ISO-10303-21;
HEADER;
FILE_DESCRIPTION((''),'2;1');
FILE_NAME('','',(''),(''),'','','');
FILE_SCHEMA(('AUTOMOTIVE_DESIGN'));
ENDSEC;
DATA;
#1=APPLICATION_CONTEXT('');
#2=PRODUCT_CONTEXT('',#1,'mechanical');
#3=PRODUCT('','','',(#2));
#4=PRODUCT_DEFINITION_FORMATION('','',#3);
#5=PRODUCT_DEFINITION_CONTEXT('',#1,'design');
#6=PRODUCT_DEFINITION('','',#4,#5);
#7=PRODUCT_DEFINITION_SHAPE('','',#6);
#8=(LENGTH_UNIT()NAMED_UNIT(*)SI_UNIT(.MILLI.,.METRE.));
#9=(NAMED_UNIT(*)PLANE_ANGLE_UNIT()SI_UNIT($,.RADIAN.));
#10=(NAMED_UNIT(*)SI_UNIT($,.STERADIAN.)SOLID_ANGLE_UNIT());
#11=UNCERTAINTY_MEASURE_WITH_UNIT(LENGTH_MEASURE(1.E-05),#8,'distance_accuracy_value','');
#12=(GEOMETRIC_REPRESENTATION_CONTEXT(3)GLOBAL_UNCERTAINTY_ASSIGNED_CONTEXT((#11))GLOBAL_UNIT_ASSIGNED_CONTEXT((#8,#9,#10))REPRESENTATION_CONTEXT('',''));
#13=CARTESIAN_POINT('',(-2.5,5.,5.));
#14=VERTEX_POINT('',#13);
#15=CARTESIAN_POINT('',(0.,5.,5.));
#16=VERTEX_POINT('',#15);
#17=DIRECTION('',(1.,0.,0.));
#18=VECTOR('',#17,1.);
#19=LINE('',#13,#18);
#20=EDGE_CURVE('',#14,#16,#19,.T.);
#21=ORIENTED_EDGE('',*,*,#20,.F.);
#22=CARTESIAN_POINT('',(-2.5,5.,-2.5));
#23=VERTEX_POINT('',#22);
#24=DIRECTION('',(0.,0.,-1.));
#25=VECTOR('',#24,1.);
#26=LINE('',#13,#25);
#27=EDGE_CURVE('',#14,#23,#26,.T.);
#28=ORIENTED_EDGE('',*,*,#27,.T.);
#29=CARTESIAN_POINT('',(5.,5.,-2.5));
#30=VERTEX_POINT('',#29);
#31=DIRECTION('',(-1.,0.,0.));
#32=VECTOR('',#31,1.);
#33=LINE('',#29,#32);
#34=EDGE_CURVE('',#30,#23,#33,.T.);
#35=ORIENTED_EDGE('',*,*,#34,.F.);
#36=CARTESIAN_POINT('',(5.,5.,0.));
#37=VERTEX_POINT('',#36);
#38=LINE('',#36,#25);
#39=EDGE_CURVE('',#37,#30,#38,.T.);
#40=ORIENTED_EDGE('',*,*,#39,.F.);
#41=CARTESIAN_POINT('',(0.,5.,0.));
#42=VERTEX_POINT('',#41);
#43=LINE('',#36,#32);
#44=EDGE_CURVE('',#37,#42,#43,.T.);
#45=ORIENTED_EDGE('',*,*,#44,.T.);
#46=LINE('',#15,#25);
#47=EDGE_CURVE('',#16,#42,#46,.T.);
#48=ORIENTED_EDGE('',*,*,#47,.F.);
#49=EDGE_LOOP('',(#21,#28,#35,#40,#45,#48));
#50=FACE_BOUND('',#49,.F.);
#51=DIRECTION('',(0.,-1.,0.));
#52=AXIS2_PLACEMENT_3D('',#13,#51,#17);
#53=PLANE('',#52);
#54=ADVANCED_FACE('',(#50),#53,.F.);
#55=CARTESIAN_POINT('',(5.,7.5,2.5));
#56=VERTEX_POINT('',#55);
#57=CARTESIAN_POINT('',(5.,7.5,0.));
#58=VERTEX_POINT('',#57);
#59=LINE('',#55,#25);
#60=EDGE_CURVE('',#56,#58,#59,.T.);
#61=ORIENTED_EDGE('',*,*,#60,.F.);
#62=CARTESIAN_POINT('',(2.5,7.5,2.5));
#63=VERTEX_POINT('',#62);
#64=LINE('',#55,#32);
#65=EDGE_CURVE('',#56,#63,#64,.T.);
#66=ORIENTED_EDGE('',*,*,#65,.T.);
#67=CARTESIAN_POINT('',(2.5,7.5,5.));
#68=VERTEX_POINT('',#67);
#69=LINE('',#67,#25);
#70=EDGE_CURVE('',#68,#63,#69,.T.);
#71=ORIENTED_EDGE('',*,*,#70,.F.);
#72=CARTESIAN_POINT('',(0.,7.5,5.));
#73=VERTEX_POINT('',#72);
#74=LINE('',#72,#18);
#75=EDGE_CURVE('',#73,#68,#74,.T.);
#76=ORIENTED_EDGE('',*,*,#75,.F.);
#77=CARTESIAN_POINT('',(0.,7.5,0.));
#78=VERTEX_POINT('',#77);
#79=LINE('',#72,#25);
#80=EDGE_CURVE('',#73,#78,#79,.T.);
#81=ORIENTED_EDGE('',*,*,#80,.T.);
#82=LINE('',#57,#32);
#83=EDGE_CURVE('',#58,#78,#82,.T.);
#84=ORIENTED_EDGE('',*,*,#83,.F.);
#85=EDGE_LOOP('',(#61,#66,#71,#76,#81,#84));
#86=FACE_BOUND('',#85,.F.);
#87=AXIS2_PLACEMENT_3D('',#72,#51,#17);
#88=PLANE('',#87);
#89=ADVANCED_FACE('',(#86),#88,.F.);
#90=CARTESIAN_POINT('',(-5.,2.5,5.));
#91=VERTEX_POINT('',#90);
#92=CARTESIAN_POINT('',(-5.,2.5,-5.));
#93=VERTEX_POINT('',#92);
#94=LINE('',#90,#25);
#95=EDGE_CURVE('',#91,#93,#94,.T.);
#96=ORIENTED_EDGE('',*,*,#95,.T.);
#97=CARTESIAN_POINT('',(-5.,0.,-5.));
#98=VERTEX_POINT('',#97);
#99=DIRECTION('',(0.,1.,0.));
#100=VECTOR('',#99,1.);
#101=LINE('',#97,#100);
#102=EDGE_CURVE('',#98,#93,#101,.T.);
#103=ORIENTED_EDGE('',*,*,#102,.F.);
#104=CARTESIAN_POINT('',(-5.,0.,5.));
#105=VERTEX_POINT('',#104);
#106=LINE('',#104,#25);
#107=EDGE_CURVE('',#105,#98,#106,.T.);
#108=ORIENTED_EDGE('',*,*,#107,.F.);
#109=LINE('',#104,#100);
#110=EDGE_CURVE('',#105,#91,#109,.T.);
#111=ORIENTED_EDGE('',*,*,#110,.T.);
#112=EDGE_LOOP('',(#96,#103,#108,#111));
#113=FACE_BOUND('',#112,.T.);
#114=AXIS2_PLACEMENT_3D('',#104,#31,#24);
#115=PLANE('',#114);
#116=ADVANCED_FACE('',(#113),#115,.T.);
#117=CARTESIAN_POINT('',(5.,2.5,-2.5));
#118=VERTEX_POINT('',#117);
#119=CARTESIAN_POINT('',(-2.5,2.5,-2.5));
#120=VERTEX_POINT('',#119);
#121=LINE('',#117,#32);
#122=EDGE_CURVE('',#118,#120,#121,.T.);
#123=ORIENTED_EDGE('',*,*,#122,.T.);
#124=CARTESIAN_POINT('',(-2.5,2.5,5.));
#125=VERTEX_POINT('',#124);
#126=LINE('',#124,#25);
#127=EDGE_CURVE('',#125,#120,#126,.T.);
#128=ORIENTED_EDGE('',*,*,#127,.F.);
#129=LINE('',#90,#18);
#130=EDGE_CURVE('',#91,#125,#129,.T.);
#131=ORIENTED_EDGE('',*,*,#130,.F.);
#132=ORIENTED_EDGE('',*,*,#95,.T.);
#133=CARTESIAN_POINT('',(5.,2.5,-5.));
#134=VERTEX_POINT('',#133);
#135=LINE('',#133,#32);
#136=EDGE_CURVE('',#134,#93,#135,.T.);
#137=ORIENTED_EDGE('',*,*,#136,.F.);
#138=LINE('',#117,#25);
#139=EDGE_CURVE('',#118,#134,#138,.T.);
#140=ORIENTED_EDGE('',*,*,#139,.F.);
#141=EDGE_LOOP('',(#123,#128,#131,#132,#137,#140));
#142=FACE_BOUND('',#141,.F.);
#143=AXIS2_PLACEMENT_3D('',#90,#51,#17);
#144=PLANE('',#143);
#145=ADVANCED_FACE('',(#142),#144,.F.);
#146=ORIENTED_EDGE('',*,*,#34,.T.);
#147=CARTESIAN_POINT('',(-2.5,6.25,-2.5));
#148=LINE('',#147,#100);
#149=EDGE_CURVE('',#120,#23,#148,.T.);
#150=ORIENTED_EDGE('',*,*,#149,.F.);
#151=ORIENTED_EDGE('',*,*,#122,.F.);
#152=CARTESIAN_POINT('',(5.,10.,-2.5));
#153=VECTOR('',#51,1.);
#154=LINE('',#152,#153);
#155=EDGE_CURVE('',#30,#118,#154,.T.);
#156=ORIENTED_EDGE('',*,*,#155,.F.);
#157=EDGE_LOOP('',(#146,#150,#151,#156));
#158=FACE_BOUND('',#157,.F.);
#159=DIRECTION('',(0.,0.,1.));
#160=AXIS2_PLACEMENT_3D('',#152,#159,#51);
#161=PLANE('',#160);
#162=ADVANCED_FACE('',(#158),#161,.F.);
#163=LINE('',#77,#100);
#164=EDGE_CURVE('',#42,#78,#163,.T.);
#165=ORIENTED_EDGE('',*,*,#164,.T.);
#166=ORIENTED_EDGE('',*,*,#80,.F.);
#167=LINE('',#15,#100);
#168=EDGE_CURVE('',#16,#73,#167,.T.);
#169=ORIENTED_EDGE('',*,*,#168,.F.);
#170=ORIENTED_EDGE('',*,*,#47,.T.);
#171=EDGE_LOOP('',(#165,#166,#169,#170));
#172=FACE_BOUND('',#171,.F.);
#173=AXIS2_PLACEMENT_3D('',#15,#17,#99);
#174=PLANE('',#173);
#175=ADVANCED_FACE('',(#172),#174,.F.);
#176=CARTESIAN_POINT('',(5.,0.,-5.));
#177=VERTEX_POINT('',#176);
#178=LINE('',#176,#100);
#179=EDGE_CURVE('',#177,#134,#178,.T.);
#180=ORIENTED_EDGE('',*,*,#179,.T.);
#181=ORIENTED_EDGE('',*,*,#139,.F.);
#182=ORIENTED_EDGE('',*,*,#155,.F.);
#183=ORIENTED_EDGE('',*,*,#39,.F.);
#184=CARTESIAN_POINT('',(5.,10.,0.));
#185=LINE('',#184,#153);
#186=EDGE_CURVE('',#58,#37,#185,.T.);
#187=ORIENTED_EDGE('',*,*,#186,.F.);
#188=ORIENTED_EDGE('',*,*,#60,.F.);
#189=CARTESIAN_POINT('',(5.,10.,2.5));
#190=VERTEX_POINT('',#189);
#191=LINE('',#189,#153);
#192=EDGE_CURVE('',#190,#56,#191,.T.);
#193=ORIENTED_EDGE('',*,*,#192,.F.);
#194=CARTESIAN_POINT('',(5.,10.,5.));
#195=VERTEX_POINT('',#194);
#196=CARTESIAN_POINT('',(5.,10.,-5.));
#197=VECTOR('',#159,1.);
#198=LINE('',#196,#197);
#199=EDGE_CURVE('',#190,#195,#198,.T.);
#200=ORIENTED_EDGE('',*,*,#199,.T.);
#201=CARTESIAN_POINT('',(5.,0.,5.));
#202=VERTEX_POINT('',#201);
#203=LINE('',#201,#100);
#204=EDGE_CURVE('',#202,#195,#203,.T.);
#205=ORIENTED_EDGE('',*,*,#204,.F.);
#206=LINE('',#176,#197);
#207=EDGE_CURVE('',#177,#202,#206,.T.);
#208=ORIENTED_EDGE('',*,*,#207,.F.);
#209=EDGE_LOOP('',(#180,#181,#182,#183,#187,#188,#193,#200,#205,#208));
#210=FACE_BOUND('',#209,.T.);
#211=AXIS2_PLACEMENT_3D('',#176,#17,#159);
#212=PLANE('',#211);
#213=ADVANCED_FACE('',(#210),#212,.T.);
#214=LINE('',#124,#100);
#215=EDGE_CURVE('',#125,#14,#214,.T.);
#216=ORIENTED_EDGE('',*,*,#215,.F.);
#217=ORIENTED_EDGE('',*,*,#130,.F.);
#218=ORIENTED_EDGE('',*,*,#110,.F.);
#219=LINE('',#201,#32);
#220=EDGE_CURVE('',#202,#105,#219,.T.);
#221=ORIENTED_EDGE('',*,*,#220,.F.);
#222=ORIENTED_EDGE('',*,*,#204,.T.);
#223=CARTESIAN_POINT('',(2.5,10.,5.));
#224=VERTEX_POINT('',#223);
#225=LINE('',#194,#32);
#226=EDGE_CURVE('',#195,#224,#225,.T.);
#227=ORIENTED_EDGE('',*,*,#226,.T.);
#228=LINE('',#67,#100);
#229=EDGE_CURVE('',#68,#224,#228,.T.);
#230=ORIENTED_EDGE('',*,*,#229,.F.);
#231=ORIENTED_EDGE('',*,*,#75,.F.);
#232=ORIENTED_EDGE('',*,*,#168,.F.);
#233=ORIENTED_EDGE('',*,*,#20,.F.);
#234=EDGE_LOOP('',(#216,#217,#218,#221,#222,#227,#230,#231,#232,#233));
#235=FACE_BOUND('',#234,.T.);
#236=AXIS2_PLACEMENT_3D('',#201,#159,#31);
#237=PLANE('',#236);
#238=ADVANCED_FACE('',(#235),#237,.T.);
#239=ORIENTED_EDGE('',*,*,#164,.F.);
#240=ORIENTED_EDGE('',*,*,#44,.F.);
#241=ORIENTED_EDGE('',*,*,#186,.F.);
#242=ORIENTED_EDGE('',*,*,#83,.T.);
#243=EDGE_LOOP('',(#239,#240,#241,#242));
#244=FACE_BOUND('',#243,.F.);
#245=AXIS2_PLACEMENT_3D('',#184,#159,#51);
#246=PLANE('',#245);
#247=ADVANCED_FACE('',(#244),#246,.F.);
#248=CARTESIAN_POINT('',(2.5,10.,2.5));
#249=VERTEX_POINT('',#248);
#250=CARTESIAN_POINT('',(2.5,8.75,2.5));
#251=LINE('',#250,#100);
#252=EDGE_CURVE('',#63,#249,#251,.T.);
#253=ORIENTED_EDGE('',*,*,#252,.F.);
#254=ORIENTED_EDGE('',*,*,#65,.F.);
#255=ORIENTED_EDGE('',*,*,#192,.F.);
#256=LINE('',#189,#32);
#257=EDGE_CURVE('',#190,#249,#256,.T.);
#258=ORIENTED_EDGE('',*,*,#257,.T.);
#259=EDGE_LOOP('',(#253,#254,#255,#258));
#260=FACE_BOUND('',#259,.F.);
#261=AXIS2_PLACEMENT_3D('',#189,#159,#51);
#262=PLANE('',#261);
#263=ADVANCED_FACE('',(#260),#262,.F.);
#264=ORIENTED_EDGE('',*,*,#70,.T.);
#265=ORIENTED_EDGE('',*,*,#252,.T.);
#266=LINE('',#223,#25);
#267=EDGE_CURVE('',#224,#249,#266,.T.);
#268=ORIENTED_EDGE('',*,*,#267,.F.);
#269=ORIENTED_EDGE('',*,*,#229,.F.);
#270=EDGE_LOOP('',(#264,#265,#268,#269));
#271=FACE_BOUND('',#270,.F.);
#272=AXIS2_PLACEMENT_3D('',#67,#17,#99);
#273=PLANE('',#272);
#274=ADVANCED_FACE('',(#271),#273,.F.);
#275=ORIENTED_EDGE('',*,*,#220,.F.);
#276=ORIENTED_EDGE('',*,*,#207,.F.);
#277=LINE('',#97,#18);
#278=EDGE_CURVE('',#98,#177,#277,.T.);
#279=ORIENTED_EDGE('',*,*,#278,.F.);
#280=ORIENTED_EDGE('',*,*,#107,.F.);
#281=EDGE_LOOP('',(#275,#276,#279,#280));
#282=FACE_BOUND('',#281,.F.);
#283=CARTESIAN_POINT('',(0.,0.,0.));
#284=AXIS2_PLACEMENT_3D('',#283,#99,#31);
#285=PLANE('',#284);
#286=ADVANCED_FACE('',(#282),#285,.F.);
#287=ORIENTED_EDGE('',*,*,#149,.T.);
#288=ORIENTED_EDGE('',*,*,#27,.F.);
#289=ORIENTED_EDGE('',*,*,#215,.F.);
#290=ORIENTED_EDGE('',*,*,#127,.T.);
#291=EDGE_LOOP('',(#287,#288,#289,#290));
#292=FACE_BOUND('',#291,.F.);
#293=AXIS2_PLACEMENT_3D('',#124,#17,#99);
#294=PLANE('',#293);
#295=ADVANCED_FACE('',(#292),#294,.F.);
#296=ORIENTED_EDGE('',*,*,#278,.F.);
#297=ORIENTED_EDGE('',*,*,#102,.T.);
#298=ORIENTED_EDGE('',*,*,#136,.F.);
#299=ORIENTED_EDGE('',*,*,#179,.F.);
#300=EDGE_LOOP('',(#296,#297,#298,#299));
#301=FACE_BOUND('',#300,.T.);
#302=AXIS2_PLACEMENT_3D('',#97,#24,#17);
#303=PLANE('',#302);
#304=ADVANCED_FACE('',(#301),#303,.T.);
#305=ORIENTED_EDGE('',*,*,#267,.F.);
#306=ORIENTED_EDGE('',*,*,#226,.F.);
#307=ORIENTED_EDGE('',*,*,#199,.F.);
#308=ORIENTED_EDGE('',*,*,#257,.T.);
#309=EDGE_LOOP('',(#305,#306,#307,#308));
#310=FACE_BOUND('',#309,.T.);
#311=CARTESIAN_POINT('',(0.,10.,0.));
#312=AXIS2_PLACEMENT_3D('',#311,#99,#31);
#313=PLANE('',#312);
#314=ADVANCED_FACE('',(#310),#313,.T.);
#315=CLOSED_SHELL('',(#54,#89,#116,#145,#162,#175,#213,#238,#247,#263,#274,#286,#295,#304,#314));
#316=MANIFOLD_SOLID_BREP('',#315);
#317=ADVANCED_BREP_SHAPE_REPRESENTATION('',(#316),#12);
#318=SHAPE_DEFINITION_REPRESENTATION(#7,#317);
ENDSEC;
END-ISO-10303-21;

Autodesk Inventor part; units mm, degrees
ref_plane "YZ Plane" through (0, 0, 0) normal (1, 0, 0) x (0, 1, 0)
ref_plane "XZ Plane" through (0, 0, 0) normal (0, 1, 0) x (-1, 0, 0)
ref_plane "XY Plane" through (0, 0, 0) normal (0, 0, 1) x (1, 0, 0)
sketch "Sketch1" plane through (0, 0, 0) normal (0, 1, 0) x (-1, 0, 0)
  line L0 (-5, 5) -> (5, 5)
  line L1 (5, 5) -> (5, -5)
  line L2 (5, -5) -> (-5, -5)
  line L3 (-5, -5) -> (-5, 5)
  line L4 (-5, 5) -> (5, -5) construction
  line L5 (5, 5) -> (-5, -5) construction
  point P0 (0, 0)
  dimension "d0" = 10
  dimension "d1" = 10
extrude "Extrusion1" add sketch "Sketch1" along normal blind 10
sketch "Sketch2" plane through (5, 0, 5) normal (1, 0, 0) x (0, 0, -1)
  line L0 (10, 10) -> (7.5, 10)
  line L1 (7.5, 10) -> (7.5, 2.5)
  line L2 (7.5, 2.5) -> (10, 2.5)
  line L3 (10, 2.5) -> (10, 10)
  point P0 (5, 0)
  dimension "d4" = 2.5
  dimension "d5" = 7.5
extrude "Extrusion2" cut sketch "Sketch2" against normal blind 10
sketch "Sketch3" plane through (5, 0, 5) normal (1, 0, 0) x (0, 0, -1)
  line L0 (7.5, 10) -> (5, 10)
  line L1 (5, 10) -> (5, 5)
  line L2 (5, 5) -> (7.5, 5)
  line L3 (7.5, 5) -> (7.5, 10)
  point P0 (5, 0)
  dimension "d8" = 2.5
  dimension "d9" = 5
extrude "Extrusion3" cut sketch "Sketch3" against normal blind 10
sketch "Sketch4" plane through (5, 0, 5) normal (1, 0, 0) x (0, 0, -1)
  line L0 (5, 10) -> (2.5, 10)
  line L1 (2.5, 10) -> (2.5, 7.5)
  line L2 (2.5, 7.5) -> (5, 7.5)
  line L3 (5, 7.5) -> (5, 10)
  point P0 (5, 0)
  dimension "d12" = 2.5
  dimension "d13" = 2.5
extrude "Extrusion4" cut sketch "Sketch4" against normal blind 10
sketch "Sketch5" plane through (-5, 0, 5) normal (0, 0, 1) x (1, 0, 0)
  line L0 (0, 10) -> (10, 10) projected
  line L1 (0, 0) -> (0, 10) projected
  line L2 (0, 10) -> (0, 2.5)
  line L3 (0, 2.5) -> (2.5, 2.5)
  line L4 (2.5, 2.5) -> (2.5, 5)
  line L5 (2.5, 5) -> (5, 5)
  line L6 (5, 5) -> (5, 7.5)
  line L7 (5, 7.5) -> (7.5, 7.5)
  line L8 (7.5, 7.5) -> (7.5, 10)
  point P0 (5, 0)
  dimension "d16" = 7.5
  dimension "d17" = 2.5
  dimension "d18" = 2.5
  dimension "d19" = 90
  dimension "d20" = 2.5
  dimension "d21" = 90
  dimension "d22" = 2.5
  dimension "d23" = 90
  dimension "d24" = 2.5
  dimension "d25" = 90
extrude "Extrusion5" cut sketch "Sketch5" against normal blind 10
properties part number "157"
